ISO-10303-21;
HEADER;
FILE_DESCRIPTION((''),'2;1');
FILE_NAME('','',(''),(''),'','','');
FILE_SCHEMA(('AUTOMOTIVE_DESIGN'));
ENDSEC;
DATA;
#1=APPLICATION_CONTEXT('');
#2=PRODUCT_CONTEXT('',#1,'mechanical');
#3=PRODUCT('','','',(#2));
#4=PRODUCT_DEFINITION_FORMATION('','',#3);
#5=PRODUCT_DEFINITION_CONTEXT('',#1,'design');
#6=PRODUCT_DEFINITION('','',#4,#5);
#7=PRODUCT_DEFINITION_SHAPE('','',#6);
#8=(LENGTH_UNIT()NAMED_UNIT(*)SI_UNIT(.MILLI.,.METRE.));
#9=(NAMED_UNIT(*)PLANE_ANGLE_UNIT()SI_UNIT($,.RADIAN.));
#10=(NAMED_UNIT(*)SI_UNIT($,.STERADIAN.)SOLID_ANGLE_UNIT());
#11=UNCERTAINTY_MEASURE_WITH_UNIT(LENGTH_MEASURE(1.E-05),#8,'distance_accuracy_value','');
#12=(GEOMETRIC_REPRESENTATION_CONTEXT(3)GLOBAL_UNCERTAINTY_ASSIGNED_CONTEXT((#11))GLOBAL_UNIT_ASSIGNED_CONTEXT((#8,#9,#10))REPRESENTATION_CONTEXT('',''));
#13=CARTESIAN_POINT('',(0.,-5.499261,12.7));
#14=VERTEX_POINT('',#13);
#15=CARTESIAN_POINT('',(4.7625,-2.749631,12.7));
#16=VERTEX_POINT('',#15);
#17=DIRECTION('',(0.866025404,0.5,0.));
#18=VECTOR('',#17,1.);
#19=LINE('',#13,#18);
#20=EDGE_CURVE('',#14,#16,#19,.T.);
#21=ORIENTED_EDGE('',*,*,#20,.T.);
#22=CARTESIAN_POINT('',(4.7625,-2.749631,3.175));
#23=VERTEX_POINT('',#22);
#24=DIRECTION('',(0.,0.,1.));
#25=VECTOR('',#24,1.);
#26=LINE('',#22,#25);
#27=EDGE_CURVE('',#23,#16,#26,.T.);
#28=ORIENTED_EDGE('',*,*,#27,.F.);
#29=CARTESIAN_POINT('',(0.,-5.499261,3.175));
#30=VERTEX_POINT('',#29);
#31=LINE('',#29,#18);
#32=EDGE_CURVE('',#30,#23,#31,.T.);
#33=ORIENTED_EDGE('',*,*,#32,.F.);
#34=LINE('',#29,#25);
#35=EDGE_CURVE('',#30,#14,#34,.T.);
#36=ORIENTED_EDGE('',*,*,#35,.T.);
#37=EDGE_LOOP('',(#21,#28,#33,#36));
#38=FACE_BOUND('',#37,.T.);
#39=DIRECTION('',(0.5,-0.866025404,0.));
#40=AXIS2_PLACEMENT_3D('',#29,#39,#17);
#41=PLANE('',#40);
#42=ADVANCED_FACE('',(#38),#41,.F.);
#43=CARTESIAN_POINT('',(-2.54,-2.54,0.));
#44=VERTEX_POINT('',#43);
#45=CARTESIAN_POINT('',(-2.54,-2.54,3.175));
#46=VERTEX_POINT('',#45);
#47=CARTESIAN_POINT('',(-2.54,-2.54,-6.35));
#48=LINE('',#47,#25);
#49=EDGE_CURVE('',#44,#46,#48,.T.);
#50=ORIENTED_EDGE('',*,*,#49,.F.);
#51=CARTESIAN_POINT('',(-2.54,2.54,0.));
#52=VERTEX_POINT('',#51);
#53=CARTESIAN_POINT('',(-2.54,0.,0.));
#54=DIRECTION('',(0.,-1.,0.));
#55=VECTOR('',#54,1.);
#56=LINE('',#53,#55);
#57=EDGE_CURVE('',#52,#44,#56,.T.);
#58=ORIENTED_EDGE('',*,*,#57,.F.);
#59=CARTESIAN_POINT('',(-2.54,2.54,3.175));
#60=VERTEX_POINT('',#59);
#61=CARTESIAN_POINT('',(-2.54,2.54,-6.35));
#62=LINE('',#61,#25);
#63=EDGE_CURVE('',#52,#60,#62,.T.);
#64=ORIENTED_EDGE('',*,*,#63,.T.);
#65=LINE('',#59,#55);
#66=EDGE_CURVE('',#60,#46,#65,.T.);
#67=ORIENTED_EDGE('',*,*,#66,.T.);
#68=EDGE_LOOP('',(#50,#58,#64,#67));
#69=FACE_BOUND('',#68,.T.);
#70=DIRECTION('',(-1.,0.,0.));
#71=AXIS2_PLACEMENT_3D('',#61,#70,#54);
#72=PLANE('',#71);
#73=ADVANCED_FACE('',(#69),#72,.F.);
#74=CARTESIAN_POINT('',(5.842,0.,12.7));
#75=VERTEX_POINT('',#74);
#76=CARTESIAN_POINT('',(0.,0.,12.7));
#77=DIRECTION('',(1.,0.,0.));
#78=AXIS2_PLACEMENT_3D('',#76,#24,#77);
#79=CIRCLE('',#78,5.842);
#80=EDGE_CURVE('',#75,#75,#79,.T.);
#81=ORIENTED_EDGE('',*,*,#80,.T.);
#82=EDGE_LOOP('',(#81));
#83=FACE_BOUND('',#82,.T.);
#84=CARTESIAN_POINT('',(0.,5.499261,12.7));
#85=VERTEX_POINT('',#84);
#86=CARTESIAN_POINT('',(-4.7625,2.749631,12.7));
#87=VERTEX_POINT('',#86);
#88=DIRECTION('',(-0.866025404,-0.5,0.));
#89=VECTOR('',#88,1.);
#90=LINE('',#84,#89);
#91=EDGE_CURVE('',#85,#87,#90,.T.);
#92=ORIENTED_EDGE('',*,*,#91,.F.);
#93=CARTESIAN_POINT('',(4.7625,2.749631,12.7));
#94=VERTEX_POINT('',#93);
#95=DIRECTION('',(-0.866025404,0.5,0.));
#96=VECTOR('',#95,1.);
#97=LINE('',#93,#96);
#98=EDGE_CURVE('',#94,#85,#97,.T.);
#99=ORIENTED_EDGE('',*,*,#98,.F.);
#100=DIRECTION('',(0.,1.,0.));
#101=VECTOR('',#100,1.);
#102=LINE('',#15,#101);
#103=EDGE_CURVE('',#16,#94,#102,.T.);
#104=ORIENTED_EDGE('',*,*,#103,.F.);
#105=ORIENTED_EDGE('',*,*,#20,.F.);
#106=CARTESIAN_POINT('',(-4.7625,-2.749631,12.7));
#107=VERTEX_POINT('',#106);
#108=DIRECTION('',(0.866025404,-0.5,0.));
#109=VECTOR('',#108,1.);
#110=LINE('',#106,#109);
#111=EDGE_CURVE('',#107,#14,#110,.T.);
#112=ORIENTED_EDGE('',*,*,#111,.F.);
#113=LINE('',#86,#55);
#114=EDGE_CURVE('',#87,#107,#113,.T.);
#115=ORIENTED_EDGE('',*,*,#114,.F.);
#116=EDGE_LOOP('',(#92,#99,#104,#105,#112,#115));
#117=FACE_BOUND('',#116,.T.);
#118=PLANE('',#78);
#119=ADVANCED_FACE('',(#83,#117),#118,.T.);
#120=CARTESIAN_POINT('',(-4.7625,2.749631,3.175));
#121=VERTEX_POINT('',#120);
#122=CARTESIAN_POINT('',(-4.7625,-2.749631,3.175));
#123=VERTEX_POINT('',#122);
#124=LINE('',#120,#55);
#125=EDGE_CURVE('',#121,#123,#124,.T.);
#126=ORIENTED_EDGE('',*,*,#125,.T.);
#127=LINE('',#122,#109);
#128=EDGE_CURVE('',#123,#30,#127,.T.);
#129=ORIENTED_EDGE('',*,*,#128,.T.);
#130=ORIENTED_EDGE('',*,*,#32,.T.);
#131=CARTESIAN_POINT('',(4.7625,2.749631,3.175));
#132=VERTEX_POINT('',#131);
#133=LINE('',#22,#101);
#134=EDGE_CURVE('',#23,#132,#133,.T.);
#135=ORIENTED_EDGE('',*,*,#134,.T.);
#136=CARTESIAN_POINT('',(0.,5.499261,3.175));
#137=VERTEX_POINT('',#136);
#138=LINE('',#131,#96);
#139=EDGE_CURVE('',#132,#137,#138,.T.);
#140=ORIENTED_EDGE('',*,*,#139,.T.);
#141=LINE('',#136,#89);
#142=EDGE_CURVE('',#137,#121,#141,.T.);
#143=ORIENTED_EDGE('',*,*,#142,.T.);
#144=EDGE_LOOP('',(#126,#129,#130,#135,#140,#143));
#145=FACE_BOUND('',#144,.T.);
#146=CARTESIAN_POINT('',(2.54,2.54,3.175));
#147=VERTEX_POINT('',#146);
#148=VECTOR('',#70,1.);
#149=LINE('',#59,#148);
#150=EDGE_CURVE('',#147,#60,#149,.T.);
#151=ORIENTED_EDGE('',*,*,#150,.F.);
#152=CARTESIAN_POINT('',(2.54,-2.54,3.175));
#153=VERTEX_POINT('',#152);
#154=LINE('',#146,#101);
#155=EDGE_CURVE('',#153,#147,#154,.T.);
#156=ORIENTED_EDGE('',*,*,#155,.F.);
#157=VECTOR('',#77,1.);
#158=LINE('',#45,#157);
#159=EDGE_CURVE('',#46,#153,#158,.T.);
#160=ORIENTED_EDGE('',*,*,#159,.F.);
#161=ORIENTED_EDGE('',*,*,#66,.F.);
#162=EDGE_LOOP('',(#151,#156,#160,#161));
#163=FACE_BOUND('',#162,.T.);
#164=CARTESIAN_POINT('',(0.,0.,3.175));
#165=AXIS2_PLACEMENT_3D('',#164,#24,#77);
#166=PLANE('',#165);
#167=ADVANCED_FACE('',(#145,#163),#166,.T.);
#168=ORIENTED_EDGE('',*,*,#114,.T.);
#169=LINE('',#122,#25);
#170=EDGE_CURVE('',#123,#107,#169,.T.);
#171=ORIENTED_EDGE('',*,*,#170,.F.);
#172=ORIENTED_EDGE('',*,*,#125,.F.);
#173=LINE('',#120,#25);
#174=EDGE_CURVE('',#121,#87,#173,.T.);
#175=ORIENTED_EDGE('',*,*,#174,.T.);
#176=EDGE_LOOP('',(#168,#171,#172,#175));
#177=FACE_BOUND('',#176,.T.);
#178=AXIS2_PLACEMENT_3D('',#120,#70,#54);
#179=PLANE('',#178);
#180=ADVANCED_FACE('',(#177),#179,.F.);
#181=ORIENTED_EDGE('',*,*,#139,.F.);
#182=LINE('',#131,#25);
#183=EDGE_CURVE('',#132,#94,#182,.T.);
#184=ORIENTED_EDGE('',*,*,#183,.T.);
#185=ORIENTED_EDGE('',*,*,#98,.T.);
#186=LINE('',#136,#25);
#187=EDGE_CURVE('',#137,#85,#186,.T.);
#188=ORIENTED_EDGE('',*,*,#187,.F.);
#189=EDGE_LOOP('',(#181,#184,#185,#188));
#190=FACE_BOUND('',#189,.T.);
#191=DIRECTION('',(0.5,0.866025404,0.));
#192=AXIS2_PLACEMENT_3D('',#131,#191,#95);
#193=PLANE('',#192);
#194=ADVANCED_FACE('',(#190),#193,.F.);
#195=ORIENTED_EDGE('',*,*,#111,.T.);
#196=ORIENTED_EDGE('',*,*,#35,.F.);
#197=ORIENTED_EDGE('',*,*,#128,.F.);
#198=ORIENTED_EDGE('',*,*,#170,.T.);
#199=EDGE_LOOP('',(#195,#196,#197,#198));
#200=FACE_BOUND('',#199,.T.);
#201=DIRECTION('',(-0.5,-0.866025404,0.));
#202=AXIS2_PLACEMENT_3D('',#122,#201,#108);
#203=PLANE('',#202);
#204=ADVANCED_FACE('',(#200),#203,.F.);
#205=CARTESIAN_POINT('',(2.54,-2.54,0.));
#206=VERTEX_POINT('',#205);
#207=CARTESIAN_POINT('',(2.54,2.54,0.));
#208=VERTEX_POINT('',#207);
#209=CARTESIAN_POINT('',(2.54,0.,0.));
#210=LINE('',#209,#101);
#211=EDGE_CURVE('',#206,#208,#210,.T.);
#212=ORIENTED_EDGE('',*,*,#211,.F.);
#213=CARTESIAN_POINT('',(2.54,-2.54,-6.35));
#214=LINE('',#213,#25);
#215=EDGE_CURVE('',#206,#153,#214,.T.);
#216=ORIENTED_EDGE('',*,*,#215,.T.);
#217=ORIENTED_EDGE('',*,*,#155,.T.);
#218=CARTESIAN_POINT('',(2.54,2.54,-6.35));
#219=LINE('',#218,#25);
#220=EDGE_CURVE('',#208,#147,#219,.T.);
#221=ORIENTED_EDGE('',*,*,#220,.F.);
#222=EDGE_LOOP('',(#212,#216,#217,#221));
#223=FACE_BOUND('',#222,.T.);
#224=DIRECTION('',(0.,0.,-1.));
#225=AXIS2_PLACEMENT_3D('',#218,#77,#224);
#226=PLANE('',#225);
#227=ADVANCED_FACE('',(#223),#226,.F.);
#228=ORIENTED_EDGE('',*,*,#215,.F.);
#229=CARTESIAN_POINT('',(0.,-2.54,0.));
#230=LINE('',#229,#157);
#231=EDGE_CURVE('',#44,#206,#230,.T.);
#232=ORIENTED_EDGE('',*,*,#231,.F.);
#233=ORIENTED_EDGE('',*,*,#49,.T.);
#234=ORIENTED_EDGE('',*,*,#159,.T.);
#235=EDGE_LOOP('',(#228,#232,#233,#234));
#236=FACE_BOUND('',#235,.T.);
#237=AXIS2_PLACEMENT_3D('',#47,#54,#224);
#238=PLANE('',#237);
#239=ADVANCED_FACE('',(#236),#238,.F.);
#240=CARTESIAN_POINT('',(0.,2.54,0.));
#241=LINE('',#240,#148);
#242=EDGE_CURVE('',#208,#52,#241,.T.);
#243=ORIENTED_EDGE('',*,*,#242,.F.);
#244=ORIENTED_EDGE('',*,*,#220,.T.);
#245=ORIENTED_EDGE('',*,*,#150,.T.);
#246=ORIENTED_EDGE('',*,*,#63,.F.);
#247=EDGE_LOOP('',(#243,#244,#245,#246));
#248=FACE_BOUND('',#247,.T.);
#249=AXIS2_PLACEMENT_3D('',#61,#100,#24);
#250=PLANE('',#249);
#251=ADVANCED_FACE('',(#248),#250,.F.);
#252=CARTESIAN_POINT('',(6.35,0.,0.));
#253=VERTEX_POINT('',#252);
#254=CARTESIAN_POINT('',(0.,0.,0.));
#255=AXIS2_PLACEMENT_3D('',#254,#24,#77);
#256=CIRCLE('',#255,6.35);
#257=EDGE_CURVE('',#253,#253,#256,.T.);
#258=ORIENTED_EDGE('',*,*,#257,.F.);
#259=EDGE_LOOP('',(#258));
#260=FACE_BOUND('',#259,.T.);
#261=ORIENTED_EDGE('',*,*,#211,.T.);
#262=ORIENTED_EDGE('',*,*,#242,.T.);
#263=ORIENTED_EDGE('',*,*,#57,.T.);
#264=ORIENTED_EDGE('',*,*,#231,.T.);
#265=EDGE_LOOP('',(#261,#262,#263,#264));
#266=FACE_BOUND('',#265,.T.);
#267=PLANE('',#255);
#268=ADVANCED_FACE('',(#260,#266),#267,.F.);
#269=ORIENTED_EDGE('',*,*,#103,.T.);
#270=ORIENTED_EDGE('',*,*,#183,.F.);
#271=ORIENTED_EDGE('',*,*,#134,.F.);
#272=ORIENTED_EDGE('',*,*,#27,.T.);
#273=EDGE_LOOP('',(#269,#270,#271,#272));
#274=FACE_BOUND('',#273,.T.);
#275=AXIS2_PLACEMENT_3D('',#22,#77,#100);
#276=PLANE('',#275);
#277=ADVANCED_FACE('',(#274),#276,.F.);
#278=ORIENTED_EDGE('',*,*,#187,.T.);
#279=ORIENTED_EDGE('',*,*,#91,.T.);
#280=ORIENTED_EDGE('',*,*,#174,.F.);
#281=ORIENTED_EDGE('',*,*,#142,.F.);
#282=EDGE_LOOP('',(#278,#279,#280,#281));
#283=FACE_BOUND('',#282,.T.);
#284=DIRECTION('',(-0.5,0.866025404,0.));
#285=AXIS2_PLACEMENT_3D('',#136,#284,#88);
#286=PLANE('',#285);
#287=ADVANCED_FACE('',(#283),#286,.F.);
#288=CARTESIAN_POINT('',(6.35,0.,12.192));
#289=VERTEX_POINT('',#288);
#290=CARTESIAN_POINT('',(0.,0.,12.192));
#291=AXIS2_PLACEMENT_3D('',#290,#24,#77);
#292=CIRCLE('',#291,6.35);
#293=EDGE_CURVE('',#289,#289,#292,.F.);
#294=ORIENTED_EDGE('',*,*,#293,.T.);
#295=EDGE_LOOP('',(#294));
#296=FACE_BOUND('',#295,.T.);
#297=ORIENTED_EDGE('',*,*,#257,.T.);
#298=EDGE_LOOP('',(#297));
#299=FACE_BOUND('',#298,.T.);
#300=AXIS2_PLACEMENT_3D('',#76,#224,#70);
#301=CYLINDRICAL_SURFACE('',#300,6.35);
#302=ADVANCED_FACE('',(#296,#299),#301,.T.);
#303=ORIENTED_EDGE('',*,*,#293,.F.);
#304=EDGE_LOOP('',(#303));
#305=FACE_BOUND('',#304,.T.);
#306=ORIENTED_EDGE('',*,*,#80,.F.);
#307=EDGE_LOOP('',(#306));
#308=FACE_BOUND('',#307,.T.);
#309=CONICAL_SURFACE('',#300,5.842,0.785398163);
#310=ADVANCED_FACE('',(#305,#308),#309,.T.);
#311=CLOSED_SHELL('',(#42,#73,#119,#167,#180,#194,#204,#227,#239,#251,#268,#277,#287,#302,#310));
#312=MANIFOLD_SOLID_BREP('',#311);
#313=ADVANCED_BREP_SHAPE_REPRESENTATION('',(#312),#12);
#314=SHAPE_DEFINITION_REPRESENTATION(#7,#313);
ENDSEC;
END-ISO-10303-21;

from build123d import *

# Parameters (mm, degrees)
SKETCH1_R           = 6.35
BOSS_EXTRUDE1_DEPTH = 12.7
CUT_EXTRUDE1_DEPTH  = 9.525
SKETCH3_W           = 5.08
SKETCH3_H           = 5.08
CUT_EXTRUDE2_DEPTH  = 9.525
CHAMFER1_SIZE       = 0.508


with BuildPart() as part:
    # Sketch1 → Boss-Extrude1 (new body)
    with BuildSketch(Plane.XY):
        Circle(SKETCH1_R)
    extrude(amount=BOSS_EXTRUDE1_DEPTH)

    # Sketch2 → Cut-Extrude1 (cut)
    with BuildSketch(Plane.XY.offset(12.7)):
        Polygon((0, -5.499261314), (4.7625, -2.749630657), (4.7625, 2.749630657), (0, 5.499261314), (-4.7625, 2.749630657), (-4.7625, -2.749630657), align=None)
    extrude(amount=-CUT_EXTRUDE1_DEPTH, mode=Mode.SUBTRACT)

    # Sketch3 → Cut-Extrude2 (cut)
    with BuildSketch(Plane.XY.offset(3.175)):
        Rectangle(SKETCH3_W, SKETCH3_H)
    extrude(amount=-CUT_EXTRUDE2_DEPTH, mode=Mode.SUBTRACT)

    # Chamfer1
    chamfer1_edges = [part.edges().sort_by_distance(p)[0] for p in [
        (-6.35, 0, 12.7),
    ]]
    chamfer(chamfer1_edges, length=CHAMFER1_SIZE)


solid = part.part
